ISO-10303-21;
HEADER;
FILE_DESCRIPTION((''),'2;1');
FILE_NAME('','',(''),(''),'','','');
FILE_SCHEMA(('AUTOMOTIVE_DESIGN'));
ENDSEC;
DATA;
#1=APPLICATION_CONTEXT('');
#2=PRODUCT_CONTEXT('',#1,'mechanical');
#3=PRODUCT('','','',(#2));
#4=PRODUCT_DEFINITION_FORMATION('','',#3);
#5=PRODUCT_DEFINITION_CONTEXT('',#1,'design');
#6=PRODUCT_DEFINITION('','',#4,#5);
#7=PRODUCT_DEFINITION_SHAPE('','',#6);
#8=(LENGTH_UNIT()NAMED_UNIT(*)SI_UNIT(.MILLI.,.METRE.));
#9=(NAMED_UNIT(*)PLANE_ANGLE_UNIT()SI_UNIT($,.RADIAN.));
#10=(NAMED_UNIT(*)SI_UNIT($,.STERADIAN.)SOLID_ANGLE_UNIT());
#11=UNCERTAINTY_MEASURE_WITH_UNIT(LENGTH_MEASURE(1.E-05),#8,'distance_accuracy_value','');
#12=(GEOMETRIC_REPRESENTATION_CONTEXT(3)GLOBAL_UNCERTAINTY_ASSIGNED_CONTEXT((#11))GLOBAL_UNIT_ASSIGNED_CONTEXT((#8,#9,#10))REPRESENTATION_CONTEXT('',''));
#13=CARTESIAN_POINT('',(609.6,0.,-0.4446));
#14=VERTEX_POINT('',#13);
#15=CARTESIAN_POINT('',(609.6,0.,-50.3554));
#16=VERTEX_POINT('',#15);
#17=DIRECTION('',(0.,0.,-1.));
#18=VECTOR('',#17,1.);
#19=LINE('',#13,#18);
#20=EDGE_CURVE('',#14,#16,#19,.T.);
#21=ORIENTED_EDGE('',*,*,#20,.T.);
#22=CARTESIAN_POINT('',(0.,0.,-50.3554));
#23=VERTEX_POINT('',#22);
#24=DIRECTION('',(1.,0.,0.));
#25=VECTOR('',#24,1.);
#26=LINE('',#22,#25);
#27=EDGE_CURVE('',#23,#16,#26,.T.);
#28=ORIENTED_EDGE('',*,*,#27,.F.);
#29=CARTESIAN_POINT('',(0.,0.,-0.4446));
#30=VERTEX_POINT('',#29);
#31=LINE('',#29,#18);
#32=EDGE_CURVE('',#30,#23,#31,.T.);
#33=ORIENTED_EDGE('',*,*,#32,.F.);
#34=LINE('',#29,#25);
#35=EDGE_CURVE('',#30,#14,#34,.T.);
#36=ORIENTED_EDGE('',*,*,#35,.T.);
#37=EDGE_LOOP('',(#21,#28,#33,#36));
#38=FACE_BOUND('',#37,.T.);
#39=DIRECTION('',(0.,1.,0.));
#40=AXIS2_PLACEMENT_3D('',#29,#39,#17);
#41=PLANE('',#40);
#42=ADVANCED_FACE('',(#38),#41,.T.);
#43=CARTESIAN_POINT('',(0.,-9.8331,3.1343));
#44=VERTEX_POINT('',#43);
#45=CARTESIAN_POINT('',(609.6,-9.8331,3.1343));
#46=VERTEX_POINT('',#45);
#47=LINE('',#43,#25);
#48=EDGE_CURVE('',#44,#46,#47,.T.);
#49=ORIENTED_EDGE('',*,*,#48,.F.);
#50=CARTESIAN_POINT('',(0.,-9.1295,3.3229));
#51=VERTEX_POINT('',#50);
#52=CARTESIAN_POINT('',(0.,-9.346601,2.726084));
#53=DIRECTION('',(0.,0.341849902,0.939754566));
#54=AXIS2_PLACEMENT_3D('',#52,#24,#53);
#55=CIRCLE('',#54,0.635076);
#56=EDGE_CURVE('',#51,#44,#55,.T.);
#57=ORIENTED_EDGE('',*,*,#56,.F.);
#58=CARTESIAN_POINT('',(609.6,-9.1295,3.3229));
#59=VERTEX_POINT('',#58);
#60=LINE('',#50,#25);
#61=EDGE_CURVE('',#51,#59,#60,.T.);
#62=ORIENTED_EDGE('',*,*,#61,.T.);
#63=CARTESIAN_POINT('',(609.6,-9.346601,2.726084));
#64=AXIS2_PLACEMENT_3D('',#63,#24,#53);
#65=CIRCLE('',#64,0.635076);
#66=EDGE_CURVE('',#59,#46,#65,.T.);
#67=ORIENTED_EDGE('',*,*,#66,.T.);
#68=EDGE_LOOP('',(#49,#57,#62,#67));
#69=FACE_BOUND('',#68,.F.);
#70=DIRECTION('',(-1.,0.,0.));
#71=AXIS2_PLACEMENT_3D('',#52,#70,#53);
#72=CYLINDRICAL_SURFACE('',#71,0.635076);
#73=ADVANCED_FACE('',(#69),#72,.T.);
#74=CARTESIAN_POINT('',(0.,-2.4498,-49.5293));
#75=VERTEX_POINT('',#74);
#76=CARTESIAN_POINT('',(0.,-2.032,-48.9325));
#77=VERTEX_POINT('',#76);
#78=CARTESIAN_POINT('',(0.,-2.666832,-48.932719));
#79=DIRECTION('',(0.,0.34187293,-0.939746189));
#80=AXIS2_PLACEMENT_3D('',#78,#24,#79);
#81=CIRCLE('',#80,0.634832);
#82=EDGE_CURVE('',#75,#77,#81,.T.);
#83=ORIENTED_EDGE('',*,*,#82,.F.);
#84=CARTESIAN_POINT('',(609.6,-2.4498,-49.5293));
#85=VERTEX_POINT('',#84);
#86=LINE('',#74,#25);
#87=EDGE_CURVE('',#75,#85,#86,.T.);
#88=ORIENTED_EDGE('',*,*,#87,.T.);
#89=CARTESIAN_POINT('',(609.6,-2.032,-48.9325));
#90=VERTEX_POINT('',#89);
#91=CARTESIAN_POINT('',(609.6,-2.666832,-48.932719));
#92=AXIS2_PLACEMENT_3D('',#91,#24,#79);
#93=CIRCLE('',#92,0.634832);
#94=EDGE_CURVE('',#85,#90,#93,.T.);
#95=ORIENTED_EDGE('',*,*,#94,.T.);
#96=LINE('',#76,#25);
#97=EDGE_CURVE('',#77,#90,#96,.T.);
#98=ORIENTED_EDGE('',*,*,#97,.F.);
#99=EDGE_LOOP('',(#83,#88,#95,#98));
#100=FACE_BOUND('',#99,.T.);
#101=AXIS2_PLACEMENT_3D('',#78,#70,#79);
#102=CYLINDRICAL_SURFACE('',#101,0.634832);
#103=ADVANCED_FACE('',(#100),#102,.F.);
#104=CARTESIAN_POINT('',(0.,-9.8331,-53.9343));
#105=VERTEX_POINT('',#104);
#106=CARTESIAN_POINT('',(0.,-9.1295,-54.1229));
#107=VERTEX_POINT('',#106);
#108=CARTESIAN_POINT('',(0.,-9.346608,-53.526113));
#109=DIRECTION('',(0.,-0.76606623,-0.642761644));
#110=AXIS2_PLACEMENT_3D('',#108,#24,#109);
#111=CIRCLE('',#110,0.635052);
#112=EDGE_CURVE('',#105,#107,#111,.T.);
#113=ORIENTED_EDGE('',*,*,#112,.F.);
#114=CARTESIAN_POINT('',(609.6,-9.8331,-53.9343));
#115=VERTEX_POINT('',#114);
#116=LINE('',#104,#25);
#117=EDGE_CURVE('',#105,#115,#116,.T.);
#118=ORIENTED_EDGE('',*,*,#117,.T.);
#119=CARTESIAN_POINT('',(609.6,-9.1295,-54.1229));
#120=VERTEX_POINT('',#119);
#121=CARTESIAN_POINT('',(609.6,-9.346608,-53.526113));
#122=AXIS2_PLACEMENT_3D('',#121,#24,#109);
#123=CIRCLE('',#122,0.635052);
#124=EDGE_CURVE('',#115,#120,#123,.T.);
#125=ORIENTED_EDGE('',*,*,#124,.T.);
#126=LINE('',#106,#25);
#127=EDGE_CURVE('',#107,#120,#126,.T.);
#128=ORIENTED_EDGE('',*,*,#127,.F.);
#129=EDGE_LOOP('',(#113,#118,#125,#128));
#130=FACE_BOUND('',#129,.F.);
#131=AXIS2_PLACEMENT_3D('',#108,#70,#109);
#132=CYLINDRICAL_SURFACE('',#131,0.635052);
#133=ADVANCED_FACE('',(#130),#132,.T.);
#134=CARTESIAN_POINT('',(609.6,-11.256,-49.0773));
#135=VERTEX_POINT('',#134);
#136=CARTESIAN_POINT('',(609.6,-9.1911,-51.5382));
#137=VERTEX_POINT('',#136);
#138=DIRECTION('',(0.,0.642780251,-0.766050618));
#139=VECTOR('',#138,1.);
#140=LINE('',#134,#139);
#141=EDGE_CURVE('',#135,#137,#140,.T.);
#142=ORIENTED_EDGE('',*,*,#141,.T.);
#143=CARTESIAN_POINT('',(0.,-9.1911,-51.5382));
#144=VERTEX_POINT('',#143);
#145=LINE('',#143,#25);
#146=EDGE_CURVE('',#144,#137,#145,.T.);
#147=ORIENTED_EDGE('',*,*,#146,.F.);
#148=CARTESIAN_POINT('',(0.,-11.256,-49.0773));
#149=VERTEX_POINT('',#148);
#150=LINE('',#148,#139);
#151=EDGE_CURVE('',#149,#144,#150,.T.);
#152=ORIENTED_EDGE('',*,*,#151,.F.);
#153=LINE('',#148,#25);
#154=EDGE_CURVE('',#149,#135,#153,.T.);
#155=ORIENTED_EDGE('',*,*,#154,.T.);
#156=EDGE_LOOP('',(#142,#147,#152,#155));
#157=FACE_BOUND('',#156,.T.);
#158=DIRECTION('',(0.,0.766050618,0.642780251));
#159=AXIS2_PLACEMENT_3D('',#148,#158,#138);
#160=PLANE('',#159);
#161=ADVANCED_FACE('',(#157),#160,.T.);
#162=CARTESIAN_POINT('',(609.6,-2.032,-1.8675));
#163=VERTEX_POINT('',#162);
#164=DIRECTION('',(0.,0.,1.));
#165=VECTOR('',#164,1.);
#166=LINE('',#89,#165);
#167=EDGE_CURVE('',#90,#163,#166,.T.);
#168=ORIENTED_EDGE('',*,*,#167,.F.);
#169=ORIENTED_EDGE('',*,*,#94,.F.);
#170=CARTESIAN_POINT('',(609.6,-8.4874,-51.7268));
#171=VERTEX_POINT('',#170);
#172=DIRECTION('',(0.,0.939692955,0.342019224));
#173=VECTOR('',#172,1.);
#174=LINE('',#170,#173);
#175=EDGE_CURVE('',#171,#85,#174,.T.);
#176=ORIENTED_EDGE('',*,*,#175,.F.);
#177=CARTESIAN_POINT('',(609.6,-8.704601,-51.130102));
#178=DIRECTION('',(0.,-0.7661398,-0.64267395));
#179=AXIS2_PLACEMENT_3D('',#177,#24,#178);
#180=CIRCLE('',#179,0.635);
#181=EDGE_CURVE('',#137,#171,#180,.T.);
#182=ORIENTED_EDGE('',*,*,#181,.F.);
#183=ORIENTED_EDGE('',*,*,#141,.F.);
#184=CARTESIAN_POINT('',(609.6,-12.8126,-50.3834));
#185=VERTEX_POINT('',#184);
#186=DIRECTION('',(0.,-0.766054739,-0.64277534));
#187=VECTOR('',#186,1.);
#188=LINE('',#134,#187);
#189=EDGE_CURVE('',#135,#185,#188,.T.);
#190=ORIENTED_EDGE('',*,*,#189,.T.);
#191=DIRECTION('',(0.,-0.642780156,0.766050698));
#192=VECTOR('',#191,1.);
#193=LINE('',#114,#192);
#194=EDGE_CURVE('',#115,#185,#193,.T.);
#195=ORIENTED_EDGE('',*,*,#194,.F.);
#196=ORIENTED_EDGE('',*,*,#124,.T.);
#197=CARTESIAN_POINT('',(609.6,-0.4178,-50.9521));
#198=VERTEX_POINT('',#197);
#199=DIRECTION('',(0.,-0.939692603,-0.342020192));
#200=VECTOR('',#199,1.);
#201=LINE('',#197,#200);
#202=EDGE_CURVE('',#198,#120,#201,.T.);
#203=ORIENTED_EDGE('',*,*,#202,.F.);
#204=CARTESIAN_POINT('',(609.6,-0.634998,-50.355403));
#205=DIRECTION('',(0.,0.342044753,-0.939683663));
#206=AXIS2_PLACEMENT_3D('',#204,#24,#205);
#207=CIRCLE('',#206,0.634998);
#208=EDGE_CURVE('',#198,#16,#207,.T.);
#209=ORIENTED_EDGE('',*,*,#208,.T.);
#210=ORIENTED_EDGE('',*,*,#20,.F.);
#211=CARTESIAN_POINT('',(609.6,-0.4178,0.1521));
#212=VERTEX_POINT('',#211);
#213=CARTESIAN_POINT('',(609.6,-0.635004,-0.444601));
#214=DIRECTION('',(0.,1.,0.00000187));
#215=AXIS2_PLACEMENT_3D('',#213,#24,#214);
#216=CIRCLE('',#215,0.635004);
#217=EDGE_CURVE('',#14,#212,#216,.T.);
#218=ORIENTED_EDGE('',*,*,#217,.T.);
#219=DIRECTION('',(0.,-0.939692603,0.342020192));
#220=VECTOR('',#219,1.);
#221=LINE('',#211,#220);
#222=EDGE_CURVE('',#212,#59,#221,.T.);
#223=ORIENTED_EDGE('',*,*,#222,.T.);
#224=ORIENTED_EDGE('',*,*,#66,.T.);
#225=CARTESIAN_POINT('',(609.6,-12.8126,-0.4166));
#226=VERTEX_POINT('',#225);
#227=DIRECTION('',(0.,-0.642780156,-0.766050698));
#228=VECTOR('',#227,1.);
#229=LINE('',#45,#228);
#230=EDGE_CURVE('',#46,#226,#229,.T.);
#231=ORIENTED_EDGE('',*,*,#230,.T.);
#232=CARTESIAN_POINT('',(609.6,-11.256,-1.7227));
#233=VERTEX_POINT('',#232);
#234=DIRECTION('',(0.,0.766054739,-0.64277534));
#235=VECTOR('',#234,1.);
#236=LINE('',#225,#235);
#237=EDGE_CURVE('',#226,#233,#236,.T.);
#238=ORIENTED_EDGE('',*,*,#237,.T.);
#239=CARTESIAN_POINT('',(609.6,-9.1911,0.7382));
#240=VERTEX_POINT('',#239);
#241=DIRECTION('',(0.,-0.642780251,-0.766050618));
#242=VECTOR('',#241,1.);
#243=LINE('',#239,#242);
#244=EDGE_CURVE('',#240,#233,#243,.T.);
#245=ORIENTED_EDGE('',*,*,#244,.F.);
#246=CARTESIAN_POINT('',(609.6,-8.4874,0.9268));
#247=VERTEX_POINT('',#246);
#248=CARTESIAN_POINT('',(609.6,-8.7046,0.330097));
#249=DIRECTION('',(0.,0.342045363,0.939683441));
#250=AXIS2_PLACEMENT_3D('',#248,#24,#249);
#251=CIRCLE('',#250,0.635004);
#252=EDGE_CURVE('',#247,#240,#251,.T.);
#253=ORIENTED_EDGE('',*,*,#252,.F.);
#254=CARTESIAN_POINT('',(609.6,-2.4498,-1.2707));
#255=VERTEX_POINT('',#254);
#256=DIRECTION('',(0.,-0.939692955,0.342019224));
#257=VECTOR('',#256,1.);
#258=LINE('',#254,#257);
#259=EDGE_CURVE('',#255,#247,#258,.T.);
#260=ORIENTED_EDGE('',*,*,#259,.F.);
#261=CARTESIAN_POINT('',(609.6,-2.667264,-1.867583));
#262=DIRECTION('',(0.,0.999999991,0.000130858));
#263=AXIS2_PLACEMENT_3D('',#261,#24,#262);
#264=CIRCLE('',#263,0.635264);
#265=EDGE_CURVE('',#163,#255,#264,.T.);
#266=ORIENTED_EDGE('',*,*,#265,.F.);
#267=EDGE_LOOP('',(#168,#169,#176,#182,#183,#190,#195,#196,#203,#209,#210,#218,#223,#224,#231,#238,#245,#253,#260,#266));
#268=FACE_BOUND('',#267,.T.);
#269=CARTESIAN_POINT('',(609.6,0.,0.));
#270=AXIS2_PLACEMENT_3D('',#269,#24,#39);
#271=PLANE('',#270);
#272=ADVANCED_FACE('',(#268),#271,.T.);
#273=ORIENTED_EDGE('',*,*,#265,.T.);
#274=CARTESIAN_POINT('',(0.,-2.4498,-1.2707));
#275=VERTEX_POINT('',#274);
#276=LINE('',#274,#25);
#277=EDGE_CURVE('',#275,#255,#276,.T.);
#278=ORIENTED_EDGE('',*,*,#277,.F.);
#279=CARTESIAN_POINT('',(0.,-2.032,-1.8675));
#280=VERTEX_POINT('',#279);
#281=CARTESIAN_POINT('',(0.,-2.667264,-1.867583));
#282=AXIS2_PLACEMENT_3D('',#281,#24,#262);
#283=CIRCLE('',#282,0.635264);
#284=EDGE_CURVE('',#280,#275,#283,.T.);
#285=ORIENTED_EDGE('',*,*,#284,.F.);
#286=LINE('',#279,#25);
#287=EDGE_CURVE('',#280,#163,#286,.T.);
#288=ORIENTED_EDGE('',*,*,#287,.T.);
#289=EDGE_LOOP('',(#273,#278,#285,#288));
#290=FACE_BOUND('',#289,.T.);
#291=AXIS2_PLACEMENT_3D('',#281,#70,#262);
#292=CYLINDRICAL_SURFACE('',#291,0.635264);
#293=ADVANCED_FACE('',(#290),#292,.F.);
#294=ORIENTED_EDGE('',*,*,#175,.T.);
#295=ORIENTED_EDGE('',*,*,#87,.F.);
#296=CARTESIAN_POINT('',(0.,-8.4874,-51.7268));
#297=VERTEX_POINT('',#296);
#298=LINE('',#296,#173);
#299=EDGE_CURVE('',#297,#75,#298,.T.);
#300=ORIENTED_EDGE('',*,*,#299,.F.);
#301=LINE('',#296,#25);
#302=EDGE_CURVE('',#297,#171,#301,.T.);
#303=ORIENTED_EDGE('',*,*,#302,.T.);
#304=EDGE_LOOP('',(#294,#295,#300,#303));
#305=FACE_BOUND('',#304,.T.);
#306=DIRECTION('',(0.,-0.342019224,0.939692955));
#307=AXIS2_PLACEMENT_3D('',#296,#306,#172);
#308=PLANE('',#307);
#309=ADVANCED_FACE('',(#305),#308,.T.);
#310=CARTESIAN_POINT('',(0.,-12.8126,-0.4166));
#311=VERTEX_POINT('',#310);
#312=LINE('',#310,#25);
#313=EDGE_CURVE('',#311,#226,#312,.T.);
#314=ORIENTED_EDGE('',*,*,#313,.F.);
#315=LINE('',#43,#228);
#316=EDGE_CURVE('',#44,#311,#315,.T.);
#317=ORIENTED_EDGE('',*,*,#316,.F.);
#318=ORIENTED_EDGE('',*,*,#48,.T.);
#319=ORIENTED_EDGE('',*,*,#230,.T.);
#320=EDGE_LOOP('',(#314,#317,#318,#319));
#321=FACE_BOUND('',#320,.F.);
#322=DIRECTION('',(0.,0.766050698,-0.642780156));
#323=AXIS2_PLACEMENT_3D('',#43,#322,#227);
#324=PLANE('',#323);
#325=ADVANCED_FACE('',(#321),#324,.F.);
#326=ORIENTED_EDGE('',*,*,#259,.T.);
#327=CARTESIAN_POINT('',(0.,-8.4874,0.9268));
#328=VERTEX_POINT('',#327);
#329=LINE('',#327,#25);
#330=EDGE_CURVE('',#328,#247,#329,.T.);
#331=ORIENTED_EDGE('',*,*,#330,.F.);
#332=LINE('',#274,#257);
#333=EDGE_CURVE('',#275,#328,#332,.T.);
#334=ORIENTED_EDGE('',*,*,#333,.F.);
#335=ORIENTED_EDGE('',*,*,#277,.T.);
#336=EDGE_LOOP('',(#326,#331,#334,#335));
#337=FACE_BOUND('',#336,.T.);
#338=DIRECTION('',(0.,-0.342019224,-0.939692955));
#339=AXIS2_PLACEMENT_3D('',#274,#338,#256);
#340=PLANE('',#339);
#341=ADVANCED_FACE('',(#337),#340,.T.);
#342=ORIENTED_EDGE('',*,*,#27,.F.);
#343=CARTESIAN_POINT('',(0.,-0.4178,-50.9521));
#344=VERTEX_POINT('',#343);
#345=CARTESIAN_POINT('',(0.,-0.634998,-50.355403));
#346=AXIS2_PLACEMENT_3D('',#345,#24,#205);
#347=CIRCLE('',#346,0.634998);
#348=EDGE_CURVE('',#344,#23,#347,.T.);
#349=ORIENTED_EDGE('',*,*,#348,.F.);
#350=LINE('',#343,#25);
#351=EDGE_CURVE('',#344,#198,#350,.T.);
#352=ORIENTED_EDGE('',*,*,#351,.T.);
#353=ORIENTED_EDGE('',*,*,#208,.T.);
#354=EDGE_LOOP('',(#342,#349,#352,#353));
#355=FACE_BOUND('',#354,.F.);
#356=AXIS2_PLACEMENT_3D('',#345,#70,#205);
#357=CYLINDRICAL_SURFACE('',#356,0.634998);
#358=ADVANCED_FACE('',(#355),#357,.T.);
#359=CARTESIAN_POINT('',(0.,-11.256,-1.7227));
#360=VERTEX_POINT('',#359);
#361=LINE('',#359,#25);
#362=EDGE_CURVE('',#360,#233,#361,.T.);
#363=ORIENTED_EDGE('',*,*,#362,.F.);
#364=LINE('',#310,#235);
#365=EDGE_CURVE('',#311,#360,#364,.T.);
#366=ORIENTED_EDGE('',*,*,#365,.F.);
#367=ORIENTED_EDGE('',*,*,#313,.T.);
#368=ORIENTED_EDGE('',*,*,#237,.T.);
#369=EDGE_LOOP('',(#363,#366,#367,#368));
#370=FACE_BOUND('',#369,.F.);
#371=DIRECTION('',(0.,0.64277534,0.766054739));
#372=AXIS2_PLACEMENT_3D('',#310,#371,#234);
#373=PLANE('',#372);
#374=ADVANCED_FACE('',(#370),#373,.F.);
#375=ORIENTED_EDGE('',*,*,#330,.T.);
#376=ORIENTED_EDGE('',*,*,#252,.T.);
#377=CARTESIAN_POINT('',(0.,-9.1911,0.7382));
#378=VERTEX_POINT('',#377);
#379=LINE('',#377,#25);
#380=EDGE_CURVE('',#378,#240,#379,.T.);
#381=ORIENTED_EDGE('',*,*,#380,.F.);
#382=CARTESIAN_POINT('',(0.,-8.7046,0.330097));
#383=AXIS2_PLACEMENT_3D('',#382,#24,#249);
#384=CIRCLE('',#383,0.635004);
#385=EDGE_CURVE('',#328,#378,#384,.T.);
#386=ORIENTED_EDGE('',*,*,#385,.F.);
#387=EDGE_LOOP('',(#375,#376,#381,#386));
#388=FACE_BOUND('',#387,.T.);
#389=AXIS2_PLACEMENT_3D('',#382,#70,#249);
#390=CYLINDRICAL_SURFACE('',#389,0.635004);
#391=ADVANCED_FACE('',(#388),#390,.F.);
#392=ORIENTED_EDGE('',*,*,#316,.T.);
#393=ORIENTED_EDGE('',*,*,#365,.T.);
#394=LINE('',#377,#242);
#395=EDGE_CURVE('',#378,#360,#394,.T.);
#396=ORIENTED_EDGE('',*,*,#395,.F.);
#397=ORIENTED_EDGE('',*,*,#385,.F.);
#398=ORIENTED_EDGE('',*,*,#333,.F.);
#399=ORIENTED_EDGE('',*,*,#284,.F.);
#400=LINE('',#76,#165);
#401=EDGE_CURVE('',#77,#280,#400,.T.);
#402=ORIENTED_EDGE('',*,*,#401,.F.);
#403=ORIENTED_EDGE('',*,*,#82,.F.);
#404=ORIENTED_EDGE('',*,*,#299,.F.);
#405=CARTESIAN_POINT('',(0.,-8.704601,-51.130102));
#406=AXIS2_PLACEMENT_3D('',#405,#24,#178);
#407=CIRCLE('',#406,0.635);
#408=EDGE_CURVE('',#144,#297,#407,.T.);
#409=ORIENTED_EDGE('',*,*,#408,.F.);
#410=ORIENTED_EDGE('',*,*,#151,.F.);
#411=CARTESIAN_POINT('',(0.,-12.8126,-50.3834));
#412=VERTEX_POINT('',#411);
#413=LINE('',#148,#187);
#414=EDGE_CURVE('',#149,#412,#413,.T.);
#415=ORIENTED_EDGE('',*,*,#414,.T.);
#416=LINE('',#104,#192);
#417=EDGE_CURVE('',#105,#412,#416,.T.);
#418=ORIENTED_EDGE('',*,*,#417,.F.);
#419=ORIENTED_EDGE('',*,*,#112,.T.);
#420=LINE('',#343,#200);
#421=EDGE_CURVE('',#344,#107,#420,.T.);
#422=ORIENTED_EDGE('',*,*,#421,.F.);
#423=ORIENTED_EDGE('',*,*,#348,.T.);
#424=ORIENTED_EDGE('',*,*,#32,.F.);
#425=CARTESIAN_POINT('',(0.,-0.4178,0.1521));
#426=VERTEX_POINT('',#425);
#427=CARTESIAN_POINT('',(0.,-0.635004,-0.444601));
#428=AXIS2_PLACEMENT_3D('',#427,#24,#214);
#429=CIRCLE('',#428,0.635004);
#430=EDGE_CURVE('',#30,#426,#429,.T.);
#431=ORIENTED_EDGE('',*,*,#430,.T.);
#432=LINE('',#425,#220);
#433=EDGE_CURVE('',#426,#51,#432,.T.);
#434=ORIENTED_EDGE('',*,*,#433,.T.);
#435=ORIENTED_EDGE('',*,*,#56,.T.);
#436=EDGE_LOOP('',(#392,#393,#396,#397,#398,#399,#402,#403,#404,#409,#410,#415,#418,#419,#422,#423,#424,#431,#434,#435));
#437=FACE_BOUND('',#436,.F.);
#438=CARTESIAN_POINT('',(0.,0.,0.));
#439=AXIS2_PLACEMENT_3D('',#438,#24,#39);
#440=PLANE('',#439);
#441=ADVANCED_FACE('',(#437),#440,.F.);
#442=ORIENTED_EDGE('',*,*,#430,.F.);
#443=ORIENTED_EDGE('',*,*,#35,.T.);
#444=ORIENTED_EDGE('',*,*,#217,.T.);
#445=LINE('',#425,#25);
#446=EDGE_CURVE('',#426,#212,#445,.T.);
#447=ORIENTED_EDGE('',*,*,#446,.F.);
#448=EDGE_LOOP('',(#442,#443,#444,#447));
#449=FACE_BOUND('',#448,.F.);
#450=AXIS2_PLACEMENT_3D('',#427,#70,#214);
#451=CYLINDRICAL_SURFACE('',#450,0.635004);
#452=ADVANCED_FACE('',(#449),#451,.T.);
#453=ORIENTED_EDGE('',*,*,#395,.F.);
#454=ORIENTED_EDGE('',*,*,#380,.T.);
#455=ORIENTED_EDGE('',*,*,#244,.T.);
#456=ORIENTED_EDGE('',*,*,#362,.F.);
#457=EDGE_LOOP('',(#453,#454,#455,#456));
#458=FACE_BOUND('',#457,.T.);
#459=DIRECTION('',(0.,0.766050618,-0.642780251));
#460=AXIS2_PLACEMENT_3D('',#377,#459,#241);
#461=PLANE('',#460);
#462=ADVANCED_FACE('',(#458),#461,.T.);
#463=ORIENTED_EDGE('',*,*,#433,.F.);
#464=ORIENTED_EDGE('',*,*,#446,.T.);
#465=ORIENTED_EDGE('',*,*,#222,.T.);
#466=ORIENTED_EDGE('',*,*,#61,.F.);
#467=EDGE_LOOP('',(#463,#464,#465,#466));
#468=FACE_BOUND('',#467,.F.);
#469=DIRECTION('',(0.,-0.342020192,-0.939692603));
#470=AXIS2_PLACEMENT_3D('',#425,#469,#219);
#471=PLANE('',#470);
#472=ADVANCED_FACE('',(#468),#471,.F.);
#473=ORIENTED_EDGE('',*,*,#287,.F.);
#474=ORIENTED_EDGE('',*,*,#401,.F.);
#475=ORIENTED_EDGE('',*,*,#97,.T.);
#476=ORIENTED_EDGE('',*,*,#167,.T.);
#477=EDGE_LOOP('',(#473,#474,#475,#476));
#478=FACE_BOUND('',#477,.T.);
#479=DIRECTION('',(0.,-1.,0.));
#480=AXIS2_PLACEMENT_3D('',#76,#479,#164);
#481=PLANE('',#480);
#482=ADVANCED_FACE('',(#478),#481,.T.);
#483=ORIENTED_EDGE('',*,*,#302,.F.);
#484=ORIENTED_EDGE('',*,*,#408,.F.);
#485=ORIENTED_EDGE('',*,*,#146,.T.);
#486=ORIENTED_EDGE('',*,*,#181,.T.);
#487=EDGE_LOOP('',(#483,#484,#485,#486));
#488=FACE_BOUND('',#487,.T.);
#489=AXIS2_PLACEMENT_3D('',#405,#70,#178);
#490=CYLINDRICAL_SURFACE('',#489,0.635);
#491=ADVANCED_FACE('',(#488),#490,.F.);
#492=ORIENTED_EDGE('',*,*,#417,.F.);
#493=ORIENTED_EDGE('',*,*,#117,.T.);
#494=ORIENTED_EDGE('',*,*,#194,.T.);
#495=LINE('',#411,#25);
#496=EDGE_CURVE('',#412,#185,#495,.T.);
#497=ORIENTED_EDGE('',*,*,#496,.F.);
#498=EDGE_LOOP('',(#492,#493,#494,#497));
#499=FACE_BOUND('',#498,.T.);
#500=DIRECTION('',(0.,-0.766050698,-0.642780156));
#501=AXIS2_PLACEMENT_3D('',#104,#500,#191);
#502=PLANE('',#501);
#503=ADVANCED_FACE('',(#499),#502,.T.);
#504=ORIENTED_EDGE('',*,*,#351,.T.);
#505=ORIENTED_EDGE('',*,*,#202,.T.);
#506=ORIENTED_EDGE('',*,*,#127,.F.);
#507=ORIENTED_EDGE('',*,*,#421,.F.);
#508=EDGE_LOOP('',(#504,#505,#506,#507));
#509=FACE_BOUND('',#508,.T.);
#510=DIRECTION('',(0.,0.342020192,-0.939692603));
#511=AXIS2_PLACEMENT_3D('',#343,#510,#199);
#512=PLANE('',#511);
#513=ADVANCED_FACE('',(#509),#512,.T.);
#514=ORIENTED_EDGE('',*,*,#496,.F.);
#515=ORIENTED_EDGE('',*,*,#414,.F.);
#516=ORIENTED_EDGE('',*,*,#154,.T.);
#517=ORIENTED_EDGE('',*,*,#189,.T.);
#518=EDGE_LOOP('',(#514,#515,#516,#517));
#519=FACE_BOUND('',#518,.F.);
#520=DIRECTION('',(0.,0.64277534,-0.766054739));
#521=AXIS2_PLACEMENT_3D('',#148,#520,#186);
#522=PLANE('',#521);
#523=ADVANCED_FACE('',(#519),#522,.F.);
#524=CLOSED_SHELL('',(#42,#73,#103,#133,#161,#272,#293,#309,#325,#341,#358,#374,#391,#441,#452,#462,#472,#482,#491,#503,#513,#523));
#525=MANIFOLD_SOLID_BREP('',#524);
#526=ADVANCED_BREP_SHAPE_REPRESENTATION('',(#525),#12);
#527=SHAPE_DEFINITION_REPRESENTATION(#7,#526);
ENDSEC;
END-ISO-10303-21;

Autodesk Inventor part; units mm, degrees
ref_plane "YZ Plane" through (0, 0, 0) normal (1, 0, 0) x (0, 1, 0)
ref_plane "XZ Plane" through (0, 0, 0) normal (0, 1, 0) x (-1, 0, 0)
ref_plane "XY Plane" through (0, 0, 0) normal (0, 0, 1) x (1, 0, 0)
sketch "Sketch1" plane through (0, 0, 0) normal (1, 0, 0) x (0, 1, 0)
  line L0 (0, -0.4446) -> (0, -50.3554)
  line L1 (-0.4178, -50.9521) -> (-9.1295, -54.1229)
  line L2 (-9.8331, -53.9343) -> (-12.8126, -50.3834)
  line L3 (-0.4178, 0.1521) -> (-9.1295, 3.3229)
  line L4 (-9.8331, 3.1343) -> (-12.8126, -0.4166)
  line L5 (-11.256, -49.0773) -> (-9.1911, -51.5382)
  line L6 (-8.4874, -51.7268) -> (-2.4498, -49.5293)
  line L7 (-2.032, -48.9325) -> (-2.032, -1.8675)
  line L8 (-2.4498, -1.2707) -> (-8.4874, 0.9268)
  line L9 (-9.1911, 0.7382) -> (-11.256, -1.7227)
  line L10 (-12.8126, -0.4166) -> (-11.256, -1.7227)
  line L11 (-11.256, -49.0773) -> (-12.8126, -50.3834)
  arc A0 (0, -0.4446) -> (-0.4178, 0.1521) centre (-0.635, -0.4446) ccw
  arc A1 (-2.032, -1.8675) -> (-2.4498, -1.2707) centre (-2.667, -1.8675) ccw
  arc A2 (-9.1295, 3.3229) -> (-9.8331, 3.1343) centre (-9.3466, 2.7261) ccw
  arc A3 (-8.4874, 0.9268) -> (-9.1911, 0.7382) centre (-8.7046, 0.3301) ccw
  arc A4 (-2.4498, -49.5293) -> (-2.032, -48.9325) centre (-2.667, -48.9325) ccw
  arc A5 (-0.4178, -50.9521) -> (0, -50.3554) centre (-0.635, -50.3554) ccw
  arc A6 (-9.1911, -51.5382) -> (-8.4874, -51.7268) centre (-8.7046, -51.1301) ccw
  arc A7 (-9.8331, -53.9343) -> (-9.1295, -54.1229) centre (-9.3466, -53.5261) ccw
  point P0 (0, 0)
  point P1 (0, -50.8)
  point P2 (-9.5473, -54.2749)
  point P3 (-9.5473, 3.4749)
  dimension "d0" = 50.8
  dimension "d1" = 10.16
  dimension "d2" = 5.08
  dimension "d3" = 110
  dimension "d4" = 110
  dimension "d5" = 10.16
  dimension "d6" = 5.08
  dimension "d7" = 110
  dimension "d8" = 110
  dimension "d9" = 2.032
  dimension "d10" = 0.635
extrude "Extrusion1" add sketch "Sketch1" along normal blind 609.6
properties part number "the outside for 2nd slider part"
